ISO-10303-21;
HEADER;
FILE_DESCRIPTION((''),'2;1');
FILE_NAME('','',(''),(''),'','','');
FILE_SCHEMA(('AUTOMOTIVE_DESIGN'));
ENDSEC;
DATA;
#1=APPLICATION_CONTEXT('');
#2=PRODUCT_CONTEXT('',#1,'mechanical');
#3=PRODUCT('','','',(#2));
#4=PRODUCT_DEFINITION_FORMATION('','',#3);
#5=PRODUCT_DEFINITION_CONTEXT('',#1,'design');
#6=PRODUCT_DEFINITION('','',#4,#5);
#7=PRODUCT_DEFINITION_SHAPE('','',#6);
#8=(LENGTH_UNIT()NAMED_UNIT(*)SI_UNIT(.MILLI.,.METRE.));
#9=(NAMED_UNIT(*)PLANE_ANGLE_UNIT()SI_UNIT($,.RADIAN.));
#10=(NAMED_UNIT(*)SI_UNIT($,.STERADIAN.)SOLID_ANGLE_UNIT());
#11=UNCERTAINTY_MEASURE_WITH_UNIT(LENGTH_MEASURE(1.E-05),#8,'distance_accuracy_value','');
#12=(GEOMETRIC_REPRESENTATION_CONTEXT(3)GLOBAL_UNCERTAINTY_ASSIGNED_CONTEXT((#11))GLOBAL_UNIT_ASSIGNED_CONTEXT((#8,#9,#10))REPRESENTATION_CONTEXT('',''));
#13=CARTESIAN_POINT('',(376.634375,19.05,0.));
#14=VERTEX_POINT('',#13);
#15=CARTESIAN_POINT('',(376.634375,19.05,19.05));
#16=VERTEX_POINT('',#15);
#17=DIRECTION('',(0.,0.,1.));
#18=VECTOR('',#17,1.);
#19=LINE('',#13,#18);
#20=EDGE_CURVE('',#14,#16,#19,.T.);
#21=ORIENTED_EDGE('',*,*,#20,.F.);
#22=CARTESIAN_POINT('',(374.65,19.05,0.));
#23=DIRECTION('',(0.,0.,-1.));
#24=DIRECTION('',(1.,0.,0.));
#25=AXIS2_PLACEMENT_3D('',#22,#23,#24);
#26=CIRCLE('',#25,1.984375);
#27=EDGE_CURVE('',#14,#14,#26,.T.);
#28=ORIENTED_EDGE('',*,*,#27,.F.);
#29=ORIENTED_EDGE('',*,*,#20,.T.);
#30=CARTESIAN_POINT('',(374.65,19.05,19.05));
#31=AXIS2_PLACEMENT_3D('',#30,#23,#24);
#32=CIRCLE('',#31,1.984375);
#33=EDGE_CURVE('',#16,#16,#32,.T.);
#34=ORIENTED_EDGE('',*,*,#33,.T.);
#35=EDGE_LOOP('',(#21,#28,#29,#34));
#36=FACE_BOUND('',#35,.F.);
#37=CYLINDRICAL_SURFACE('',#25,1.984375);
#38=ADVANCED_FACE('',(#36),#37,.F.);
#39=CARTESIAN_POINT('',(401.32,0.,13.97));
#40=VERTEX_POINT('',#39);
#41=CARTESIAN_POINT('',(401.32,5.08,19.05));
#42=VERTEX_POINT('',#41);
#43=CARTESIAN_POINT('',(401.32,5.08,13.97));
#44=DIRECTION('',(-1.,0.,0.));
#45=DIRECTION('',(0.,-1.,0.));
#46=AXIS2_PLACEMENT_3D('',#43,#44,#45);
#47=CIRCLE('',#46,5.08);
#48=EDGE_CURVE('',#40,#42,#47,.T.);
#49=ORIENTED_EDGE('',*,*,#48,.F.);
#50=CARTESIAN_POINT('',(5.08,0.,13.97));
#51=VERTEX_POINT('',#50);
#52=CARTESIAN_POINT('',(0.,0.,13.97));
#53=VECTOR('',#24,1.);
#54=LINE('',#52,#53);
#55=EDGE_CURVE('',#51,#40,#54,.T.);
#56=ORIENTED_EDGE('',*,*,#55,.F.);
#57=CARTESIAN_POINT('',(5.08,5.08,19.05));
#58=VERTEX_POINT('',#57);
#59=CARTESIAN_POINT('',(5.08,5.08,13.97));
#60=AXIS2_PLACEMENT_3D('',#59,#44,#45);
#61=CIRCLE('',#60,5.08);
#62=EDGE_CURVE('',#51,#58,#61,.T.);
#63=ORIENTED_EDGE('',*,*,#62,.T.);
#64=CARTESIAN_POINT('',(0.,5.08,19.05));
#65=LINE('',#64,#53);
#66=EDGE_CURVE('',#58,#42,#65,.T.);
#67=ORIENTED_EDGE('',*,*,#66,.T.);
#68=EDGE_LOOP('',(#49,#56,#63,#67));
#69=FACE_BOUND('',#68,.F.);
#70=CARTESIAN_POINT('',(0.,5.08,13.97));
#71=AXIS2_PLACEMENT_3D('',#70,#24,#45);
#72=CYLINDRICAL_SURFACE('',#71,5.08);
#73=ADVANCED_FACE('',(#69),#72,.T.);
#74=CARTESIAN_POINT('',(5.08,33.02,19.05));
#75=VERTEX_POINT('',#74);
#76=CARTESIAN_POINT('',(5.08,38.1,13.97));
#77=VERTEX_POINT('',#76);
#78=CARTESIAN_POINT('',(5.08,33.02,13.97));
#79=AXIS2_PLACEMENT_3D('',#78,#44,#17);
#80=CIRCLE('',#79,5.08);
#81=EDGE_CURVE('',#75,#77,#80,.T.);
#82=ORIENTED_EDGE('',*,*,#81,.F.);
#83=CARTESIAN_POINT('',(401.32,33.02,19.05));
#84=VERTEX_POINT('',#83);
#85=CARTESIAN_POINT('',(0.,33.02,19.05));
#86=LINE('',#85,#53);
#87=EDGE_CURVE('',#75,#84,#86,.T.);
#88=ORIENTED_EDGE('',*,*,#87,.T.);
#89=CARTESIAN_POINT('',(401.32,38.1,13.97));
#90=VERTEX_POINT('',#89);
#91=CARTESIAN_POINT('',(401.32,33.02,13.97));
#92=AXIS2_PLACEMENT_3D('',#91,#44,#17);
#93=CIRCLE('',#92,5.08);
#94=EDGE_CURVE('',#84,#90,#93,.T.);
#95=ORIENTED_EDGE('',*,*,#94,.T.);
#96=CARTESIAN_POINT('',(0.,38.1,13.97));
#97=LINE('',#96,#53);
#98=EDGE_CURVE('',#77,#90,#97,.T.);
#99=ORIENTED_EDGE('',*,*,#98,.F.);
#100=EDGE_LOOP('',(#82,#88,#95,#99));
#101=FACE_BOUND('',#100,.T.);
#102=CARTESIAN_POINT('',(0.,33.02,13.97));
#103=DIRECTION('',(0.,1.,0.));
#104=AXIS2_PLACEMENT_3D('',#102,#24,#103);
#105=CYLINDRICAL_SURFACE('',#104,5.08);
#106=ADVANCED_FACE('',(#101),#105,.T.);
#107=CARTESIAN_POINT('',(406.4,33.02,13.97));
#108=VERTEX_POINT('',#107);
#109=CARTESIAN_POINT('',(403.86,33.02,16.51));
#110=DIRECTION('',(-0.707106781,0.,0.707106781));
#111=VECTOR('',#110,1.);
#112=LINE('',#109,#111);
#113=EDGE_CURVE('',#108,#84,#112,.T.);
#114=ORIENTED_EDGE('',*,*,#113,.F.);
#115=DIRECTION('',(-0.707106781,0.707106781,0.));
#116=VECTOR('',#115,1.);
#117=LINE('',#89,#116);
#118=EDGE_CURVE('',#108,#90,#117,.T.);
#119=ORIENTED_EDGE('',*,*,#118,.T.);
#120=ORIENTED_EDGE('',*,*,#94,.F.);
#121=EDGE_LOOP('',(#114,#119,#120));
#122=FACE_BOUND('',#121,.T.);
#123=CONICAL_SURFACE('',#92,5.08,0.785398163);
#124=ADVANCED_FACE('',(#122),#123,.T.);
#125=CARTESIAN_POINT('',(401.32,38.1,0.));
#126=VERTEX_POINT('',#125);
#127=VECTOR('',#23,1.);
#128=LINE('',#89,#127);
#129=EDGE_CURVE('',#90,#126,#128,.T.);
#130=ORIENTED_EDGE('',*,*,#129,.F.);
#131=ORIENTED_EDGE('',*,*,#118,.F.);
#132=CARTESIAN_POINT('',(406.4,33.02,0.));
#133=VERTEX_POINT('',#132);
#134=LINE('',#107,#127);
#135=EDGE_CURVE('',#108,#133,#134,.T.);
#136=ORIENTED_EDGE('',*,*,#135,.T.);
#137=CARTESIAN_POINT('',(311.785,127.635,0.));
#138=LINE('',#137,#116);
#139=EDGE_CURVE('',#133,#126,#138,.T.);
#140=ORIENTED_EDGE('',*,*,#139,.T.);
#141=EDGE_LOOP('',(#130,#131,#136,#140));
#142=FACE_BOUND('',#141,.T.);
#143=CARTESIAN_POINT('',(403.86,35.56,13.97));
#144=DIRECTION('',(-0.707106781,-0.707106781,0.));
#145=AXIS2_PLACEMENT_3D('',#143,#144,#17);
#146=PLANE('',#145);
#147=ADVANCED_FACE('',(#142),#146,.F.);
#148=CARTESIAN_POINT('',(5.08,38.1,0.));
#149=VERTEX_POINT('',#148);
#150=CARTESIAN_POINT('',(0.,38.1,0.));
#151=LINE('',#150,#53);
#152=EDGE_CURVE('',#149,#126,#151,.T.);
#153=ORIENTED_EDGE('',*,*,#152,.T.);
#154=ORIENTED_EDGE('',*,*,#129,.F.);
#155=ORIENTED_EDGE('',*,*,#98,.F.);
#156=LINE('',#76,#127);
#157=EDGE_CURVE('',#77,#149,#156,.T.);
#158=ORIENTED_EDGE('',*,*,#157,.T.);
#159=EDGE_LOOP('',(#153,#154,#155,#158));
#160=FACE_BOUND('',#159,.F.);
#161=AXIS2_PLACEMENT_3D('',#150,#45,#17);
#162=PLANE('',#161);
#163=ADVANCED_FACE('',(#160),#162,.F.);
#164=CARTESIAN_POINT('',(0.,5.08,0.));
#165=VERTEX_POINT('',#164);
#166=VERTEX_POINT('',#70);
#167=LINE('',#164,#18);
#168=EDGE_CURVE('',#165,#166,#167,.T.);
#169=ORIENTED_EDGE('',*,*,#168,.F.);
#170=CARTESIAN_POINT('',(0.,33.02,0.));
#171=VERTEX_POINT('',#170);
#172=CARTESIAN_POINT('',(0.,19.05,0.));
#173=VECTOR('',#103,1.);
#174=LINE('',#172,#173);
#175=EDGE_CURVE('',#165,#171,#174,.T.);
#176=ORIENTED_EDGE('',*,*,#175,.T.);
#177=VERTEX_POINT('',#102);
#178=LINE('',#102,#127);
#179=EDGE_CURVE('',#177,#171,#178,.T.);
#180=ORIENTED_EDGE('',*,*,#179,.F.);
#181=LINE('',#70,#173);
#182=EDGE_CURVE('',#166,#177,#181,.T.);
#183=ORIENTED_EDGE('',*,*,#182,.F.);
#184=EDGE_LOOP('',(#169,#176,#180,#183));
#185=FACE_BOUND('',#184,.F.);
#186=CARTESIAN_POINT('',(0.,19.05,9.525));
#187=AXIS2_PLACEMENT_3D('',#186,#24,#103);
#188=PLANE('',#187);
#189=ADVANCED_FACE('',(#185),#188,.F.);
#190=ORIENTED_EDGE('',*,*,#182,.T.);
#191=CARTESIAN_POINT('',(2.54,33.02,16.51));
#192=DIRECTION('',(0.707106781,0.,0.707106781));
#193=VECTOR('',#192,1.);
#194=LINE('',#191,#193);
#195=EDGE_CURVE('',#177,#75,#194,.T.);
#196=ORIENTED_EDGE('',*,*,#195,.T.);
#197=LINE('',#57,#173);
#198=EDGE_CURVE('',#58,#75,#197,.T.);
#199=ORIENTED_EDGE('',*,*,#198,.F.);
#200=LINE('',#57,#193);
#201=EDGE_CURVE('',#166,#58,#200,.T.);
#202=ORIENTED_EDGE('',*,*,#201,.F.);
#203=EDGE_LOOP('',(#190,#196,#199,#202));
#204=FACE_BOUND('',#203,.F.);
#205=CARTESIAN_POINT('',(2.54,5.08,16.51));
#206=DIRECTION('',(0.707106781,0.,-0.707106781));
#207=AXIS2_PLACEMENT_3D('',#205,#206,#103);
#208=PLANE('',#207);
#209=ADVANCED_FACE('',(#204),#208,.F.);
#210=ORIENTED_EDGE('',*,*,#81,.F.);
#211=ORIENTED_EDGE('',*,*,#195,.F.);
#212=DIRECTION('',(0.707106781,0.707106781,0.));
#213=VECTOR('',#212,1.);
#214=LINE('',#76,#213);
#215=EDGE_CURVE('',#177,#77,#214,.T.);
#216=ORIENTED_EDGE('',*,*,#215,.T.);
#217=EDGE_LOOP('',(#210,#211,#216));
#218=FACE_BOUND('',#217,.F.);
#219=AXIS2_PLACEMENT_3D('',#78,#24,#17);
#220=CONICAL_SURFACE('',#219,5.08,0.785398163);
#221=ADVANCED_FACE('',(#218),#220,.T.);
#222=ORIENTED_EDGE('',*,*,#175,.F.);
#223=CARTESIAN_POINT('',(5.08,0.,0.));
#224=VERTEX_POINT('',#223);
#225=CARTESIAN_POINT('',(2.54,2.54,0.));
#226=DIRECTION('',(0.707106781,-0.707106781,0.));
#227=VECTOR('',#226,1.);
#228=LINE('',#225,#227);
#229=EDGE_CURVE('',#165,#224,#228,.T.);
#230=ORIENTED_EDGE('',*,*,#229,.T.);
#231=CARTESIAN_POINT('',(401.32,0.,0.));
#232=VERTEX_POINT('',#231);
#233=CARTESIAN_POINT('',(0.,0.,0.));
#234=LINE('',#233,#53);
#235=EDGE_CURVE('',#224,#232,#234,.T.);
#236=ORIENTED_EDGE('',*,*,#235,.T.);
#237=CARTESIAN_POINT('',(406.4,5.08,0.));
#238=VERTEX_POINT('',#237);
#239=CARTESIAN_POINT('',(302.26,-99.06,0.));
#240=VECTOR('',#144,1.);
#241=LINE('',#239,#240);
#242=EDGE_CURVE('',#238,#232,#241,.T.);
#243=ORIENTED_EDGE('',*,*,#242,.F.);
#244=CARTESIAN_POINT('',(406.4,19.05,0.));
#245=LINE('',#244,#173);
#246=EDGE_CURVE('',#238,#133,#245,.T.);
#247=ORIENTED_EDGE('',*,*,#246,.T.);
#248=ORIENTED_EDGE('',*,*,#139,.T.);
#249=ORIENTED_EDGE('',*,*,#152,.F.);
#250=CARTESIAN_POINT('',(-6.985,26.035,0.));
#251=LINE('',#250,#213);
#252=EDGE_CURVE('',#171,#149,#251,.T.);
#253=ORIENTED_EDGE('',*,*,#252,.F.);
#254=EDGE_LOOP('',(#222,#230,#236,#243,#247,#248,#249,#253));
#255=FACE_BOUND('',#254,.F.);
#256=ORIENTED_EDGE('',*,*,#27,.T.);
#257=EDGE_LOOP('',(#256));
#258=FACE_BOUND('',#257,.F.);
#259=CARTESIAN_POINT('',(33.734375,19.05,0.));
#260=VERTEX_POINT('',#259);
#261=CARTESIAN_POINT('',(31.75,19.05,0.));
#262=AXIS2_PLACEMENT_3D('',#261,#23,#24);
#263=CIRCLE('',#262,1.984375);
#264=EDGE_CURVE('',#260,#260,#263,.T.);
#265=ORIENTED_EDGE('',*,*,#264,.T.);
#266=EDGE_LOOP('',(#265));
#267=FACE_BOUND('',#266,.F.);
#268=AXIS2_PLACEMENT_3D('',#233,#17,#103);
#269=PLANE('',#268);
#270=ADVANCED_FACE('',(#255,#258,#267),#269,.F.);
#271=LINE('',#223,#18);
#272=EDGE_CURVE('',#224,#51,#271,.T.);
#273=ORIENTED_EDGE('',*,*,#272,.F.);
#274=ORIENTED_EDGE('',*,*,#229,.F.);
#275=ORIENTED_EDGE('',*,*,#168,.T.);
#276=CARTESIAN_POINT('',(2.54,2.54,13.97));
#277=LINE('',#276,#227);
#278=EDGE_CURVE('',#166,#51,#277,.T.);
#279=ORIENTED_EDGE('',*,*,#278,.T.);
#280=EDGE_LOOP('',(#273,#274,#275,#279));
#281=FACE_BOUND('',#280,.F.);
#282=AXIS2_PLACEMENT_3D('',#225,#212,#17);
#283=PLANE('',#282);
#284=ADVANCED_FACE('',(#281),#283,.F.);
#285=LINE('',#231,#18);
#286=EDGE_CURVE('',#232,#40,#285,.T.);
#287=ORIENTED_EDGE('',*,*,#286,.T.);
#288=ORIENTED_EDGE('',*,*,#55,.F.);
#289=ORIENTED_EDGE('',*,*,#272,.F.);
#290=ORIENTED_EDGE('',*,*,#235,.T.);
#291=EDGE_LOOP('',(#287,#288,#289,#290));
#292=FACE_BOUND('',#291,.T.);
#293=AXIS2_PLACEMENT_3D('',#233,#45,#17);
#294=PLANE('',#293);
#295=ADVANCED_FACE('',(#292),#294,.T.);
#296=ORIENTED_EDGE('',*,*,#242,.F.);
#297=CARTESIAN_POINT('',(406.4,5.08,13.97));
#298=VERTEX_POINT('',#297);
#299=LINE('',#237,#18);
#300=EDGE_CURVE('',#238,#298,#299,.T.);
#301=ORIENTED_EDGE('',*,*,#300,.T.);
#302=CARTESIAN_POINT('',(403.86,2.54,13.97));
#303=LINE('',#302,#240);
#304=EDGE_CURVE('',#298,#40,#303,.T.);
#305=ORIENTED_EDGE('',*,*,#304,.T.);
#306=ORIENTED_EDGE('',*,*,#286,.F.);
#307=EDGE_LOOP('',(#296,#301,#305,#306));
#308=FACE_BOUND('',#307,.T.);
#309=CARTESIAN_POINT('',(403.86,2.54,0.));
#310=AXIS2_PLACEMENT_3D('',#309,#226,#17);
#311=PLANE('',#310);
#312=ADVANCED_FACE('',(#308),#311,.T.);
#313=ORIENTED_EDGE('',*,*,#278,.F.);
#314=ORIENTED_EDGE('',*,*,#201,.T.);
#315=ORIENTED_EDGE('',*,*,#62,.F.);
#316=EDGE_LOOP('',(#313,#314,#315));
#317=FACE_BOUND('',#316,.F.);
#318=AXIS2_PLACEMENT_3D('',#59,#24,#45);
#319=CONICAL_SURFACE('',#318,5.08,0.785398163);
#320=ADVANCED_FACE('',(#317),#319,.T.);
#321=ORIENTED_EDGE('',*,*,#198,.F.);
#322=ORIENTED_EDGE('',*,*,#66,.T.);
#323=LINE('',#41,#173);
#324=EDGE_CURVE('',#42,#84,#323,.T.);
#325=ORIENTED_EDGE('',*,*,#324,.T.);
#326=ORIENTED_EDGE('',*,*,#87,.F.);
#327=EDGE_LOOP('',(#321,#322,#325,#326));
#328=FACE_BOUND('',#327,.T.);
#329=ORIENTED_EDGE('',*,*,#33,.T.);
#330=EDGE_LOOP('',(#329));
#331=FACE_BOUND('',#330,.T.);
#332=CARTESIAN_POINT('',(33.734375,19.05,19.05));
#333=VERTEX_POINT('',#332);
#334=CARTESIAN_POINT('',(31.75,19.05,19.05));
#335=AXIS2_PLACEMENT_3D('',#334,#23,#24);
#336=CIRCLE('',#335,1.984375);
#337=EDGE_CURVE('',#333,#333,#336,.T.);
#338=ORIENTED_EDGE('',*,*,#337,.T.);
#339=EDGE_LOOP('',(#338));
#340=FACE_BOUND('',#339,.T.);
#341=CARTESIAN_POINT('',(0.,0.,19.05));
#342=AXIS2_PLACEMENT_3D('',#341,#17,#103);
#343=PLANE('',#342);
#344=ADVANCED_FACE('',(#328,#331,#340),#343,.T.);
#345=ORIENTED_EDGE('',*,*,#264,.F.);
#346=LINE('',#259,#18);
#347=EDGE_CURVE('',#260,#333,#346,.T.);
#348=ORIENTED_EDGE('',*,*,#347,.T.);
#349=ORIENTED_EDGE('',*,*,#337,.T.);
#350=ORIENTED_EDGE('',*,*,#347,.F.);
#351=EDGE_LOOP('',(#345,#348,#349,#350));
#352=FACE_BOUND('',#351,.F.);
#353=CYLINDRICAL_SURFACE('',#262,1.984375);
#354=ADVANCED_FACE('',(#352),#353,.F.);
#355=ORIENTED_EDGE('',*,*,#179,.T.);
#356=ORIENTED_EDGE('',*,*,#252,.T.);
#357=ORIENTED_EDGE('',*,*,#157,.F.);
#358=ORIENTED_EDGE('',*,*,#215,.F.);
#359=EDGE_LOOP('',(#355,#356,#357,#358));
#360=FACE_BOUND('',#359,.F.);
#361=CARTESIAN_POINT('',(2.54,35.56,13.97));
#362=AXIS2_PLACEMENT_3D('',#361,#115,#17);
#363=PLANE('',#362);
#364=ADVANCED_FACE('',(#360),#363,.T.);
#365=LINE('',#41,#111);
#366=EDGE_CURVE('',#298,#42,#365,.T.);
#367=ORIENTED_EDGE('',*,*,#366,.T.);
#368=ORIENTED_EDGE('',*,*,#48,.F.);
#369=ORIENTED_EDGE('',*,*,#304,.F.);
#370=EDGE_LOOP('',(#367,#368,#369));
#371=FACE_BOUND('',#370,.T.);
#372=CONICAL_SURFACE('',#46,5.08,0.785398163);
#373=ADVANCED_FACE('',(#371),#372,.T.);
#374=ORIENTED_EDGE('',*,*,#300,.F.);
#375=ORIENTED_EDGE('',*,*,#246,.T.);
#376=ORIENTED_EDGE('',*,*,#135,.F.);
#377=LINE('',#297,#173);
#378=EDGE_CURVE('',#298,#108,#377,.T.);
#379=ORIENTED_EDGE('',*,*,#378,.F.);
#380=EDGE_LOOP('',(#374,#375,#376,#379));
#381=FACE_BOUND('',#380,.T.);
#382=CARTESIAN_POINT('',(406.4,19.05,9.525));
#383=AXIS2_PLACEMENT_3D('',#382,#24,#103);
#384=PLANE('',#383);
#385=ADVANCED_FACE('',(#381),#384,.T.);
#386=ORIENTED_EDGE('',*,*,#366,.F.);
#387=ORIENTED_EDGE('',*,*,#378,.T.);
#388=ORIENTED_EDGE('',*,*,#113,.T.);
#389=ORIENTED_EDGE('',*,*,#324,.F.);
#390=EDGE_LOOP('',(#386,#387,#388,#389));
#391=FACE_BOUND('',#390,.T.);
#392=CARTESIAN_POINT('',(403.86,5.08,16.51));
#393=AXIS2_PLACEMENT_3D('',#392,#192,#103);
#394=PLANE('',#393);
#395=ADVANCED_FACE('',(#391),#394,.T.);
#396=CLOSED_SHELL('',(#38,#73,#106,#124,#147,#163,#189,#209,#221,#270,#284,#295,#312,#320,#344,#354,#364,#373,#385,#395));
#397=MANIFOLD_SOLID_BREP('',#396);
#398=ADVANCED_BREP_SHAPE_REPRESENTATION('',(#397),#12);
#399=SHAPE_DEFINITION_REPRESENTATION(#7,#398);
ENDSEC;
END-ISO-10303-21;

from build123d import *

# Parameters (mm, degrees)
F0_W     = 38.1
F0_H     = 19.05
F1_DEPTH = 406.4
F2_R     = 5.08
F3_SIZE  = 5.08
F4_R     = 1.984375
F5_DEPTH = 25.4


with BuildPart() as f1:
    # F0 (on Right) → F1 (new body)
    with BuildSketch(Plane.YZ):
        with Locations((19.05, 9.525)):
            Rectangle(F0_W, F0_H)
    extrude(amount=F1_DEPTH)

    # F2
    f2_edges = [f1.edges().sort_by_distance(p)[0] for p in [
        (203.2, 0, 19.05),
        (203.2, 38.1, 19.05),
    ]]
    fillet(f2_edges, radius=F2_R)

    # F3
    f3_edges = [f1.edges().sort_by_distance(p)[0] for p in [
        (406.4, 19.05, 19.05),
        (0, 19.05, 19.05),
    ]]
    chamfer(f3_edges, length=F3_SIZE)

    # F4 (on face) → F5 (cut)
    with BuildSketch(Plane(origin=(0, 0, 0), x_dir=(1, 0, 0), z_dir=(0, 0, -1))):
        with Locations((31.75, -19.05)):
            Circle(F4_R)
        with Locations((374.65, -19.05)):
            Circle(F4_R)
    extrude(amount=-F5_DEPTH, mode=Mode.SUBTRACT)


solid = f1.part
